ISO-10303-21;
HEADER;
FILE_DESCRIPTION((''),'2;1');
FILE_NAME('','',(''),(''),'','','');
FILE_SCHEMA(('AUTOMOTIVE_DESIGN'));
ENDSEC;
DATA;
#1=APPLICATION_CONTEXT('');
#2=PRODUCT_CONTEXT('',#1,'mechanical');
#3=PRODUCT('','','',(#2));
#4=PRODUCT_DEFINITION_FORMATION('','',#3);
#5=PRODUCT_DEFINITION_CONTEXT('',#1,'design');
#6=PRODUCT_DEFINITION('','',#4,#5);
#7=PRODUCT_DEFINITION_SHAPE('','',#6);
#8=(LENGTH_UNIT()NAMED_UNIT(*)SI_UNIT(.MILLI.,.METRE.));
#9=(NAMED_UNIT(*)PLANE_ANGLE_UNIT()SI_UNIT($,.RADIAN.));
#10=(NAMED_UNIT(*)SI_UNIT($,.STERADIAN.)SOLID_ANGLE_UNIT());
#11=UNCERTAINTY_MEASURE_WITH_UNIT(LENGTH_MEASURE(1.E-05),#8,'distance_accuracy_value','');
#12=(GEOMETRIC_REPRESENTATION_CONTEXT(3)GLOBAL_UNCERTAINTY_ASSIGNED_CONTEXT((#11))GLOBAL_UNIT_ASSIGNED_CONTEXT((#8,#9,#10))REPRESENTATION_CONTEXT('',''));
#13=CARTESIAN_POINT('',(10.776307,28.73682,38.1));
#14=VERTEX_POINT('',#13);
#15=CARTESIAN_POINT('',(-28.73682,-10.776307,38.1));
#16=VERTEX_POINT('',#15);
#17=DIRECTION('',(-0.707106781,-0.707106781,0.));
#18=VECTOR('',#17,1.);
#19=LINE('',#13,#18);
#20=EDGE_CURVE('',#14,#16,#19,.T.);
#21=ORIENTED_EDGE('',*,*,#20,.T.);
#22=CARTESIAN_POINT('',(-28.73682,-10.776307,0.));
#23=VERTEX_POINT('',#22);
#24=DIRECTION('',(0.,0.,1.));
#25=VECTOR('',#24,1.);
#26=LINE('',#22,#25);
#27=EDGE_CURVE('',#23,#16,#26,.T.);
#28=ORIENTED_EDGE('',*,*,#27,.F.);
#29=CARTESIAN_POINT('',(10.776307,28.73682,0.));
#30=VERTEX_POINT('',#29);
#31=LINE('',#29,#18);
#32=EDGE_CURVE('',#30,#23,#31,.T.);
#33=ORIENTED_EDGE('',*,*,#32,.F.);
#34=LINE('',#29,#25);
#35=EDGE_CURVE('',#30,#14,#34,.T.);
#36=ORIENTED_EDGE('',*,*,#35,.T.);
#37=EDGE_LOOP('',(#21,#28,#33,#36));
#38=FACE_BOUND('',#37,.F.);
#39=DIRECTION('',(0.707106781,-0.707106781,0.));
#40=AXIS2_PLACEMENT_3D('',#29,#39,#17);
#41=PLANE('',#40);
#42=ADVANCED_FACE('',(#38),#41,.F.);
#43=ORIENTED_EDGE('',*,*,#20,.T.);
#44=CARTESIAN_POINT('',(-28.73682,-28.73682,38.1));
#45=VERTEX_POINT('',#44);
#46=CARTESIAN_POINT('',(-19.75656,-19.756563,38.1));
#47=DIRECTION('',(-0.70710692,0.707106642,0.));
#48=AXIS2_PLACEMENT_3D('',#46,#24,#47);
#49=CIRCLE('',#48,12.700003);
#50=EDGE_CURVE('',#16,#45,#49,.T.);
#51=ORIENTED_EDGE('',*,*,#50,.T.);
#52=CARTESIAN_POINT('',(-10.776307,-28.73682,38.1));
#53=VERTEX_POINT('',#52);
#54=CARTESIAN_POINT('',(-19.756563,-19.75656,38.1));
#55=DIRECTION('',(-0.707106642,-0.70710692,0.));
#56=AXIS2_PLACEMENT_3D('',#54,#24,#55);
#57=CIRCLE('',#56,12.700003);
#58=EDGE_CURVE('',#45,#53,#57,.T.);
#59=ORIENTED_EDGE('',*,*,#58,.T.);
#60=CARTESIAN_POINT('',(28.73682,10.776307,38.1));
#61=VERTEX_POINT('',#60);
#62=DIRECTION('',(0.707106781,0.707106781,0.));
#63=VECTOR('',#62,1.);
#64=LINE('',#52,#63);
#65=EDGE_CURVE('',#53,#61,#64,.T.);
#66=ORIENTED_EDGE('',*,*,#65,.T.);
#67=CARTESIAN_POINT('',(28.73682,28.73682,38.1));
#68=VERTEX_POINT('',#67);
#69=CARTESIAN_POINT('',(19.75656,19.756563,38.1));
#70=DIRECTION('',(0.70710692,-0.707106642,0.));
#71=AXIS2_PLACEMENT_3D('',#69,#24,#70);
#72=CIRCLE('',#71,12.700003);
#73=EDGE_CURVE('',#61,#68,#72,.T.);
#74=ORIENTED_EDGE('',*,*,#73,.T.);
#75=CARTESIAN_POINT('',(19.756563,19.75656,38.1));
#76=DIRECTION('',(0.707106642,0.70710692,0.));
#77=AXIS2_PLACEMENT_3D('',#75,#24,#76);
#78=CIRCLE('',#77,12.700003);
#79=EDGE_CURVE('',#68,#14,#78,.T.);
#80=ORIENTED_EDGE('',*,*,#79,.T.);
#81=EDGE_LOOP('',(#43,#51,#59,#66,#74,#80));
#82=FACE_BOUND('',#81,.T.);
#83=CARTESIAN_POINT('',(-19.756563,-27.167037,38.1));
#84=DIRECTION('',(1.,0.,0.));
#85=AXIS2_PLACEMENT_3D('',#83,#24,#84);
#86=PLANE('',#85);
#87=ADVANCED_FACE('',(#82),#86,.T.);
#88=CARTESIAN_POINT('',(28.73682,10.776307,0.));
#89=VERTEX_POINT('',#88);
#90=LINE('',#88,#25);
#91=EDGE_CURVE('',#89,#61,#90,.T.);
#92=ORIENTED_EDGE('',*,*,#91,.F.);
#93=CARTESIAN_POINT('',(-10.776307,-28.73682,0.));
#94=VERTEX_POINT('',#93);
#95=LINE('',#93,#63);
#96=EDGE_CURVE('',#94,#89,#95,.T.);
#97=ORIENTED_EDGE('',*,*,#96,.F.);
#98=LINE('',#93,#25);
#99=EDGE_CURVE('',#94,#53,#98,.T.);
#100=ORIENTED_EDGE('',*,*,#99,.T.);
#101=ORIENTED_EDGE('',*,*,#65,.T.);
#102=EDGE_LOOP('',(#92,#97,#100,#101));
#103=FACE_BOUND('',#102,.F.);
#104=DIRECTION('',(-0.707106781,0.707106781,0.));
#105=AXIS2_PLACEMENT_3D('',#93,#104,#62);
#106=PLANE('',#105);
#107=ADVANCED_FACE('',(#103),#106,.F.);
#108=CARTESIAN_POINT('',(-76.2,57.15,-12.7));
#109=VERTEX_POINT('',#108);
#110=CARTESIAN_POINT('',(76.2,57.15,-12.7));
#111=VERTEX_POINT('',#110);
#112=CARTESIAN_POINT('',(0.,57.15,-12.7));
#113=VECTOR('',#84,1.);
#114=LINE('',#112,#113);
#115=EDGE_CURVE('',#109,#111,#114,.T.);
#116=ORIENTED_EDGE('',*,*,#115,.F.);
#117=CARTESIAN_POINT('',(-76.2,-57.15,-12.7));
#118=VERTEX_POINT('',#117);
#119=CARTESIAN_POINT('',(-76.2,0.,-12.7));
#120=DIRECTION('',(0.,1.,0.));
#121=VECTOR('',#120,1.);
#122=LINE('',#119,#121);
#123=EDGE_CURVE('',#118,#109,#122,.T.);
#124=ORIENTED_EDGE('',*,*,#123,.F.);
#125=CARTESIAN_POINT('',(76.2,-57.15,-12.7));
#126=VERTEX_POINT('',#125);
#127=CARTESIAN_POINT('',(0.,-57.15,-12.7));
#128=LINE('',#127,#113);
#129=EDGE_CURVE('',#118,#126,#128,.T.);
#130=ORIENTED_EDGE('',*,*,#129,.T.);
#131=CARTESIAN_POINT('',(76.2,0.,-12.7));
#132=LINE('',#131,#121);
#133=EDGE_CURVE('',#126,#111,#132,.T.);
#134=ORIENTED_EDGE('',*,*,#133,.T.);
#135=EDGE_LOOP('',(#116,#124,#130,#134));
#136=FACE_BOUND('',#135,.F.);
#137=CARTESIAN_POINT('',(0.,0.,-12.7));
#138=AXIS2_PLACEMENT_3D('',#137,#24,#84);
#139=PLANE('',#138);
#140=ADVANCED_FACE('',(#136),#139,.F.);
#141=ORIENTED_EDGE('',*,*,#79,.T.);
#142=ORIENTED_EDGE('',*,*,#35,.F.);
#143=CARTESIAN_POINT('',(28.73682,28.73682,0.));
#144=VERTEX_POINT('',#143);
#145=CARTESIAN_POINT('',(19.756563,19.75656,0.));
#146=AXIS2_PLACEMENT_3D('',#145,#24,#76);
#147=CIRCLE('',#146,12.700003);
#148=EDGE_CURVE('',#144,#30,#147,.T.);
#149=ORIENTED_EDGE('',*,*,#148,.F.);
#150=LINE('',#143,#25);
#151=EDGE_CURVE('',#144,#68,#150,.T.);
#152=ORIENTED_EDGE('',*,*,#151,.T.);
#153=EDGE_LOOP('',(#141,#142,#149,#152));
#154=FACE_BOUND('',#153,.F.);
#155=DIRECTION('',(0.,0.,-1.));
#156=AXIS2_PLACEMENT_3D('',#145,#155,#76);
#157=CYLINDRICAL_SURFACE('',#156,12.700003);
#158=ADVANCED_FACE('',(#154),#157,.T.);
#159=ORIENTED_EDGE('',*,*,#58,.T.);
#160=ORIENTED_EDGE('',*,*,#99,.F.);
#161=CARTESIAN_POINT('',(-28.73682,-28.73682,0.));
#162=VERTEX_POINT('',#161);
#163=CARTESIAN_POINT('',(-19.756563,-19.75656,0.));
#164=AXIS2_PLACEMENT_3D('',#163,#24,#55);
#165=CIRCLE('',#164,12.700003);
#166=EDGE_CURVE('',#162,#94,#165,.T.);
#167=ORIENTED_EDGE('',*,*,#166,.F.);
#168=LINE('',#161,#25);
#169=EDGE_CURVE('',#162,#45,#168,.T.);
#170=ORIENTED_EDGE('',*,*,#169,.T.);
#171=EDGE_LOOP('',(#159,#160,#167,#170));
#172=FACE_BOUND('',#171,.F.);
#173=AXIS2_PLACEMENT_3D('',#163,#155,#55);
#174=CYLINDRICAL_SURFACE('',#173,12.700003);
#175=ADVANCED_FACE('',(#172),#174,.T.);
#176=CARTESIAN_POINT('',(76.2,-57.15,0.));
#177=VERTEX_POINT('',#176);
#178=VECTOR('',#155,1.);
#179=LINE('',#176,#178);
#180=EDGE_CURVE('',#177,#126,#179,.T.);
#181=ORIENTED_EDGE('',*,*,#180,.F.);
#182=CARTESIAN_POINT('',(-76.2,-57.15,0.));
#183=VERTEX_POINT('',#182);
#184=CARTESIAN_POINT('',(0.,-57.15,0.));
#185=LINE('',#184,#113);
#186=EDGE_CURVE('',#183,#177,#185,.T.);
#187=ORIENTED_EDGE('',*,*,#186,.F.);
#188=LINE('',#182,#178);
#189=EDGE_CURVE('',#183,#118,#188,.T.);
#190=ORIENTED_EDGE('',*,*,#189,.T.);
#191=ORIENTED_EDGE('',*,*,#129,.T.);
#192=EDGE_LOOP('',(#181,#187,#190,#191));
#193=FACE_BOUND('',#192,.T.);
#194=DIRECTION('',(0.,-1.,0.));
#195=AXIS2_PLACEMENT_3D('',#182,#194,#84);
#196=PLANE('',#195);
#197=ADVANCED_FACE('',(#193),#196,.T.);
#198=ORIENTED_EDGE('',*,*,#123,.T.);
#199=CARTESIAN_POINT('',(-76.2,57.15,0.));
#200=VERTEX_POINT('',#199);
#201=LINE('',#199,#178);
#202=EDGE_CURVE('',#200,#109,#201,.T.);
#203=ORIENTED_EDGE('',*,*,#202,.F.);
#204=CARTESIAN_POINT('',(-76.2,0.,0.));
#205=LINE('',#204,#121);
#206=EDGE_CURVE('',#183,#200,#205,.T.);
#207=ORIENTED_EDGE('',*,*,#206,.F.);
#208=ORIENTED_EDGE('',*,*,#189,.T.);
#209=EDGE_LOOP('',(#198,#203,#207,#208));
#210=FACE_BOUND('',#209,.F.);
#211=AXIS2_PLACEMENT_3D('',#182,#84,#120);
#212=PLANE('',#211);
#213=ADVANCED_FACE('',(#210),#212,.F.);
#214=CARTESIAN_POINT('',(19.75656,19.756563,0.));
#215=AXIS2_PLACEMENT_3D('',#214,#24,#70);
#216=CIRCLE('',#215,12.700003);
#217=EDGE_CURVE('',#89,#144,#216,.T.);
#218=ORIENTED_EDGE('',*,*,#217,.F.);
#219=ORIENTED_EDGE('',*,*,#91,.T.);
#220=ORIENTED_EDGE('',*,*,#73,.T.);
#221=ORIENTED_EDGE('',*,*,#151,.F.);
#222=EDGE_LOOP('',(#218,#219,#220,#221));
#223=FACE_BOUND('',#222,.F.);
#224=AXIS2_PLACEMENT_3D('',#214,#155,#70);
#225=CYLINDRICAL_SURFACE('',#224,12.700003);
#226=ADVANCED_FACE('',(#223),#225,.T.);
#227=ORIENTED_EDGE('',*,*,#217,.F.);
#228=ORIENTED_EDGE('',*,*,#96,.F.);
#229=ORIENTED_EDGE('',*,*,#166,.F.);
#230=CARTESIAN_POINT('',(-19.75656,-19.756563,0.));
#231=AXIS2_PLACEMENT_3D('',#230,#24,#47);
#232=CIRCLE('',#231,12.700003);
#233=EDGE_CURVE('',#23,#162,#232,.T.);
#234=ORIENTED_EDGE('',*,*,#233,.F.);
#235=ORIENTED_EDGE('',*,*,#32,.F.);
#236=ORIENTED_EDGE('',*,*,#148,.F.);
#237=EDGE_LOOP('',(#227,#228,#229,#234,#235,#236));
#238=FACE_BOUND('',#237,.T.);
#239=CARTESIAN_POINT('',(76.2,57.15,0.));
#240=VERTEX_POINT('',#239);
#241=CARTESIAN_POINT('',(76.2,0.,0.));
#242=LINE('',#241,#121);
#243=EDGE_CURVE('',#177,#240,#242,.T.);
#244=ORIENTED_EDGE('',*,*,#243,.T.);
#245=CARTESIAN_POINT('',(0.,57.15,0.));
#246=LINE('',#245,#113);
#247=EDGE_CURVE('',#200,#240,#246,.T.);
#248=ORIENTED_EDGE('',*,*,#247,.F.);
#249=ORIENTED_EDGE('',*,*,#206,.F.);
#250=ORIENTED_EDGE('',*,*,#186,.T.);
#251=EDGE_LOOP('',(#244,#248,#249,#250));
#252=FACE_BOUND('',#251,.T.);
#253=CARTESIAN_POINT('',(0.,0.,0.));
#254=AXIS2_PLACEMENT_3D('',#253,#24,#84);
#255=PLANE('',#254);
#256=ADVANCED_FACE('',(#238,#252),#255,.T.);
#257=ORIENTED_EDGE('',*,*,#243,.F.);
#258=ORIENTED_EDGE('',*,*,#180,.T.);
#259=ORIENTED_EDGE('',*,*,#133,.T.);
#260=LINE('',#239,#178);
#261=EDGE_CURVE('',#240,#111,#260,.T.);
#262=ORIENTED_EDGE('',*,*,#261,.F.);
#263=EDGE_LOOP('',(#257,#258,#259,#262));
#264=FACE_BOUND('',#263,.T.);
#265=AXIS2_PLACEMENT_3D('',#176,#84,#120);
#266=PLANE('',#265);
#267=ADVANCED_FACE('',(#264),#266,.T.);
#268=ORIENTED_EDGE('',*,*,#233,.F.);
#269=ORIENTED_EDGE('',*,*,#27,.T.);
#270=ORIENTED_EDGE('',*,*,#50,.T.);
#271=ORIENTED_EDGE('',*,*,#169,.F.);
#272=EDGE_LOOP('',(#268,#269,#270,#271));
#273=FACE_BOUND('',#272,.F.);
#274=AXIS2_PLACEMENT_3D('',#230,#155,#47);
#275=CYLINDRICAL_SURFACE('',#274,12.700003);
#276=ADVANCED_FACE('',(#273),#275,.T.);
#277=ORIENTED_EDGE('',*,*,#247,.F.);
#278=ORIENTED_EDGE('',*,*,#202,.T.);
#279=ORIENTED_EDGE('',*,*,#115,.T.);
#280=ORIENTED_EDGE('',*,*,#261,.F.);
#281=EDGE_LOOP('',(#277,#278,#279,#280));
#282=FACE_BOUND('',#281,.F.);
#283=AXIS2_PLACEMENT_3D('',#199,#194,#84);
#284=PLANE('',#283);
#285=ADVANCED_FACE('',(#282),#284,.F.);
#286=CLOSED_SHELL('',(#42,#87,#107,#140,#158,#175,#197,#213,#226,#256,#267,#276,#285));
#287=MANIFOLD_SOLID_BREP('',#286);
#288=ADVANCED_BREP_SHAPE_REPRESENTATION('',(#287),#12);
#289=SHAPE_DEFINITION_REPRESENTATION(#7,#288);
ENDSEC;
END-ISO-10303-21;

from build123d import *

# Parameters (mm, degrees)
F0_W     = 152.4
F0_H     = 114.3
F1_DEPTH = 12.7
F3_DEPTH = 38.1


with BuildPart() as f1:
    # F0 (on Top) → F1 (new body)
    with BuildSketch(Plane.XY):
        Rectangle(F0_W, F0_H)
    extrude(amount=-F1_DEPTH)

    # F2 (on face) → F3 (join)
    with BuildSketch(Plane.XY):
        with BuildLine():
            Line((-10.776307, -28.73682), (-19.756563, -19.756563))
            Line((-19.756563, -19.756563), (-28.73682, -28.73682))
            ThreePointArc((-28.73682, -28.73682), (-19.756563, -32.456563), (-10.776307, -28.73682))
        make_face()
        with BuildLine():
            Line((-28.73682, -28.73682), (-19.756563, -19.756563))
            Line((-19.756563, -19.756563), (-28.73682, -10.776307))
            ThreePointArc((-28.73682, -10.776307), (-32.456563, -19.756563), (-28.73682, -28.73682))
        make_face()
        with BuildLine():
            Line((28.73682, 28.73682), (19.756563, 19.756563))
            Line((19.756563, 19.756563), (28.73682, 10.776307))
            ThreePointArc((28.73682, 10.776307), (32.456563, 19.756563), (28.73682, 28.73682))
        make_face()
        with BuildLine():
            Line((10.776307, 28.73682), (19.756563, 19.756563))
            Line((19.756563, 19.756563), (28.73682, 28.73682))
            ThreePointArc((28.73682, 28.73682), (19.756563, 32.456563), (10.776307, 28.73682))
        make_face()
        Polygon((19.756563, 19.756563), (0, 0), (-19.756563, -19.756563), (-10.776307, -28.73682), (28.73682, 10.776307), align=None)
        Polygon((-19.756563, -19.756563), (0, 0), (19.756563, 19.756563), (10.776307, 28.73682), (-28.73682, -10.776307), align=None)
    extrude(amount=F3_DEPTH)


solid = f1.part
